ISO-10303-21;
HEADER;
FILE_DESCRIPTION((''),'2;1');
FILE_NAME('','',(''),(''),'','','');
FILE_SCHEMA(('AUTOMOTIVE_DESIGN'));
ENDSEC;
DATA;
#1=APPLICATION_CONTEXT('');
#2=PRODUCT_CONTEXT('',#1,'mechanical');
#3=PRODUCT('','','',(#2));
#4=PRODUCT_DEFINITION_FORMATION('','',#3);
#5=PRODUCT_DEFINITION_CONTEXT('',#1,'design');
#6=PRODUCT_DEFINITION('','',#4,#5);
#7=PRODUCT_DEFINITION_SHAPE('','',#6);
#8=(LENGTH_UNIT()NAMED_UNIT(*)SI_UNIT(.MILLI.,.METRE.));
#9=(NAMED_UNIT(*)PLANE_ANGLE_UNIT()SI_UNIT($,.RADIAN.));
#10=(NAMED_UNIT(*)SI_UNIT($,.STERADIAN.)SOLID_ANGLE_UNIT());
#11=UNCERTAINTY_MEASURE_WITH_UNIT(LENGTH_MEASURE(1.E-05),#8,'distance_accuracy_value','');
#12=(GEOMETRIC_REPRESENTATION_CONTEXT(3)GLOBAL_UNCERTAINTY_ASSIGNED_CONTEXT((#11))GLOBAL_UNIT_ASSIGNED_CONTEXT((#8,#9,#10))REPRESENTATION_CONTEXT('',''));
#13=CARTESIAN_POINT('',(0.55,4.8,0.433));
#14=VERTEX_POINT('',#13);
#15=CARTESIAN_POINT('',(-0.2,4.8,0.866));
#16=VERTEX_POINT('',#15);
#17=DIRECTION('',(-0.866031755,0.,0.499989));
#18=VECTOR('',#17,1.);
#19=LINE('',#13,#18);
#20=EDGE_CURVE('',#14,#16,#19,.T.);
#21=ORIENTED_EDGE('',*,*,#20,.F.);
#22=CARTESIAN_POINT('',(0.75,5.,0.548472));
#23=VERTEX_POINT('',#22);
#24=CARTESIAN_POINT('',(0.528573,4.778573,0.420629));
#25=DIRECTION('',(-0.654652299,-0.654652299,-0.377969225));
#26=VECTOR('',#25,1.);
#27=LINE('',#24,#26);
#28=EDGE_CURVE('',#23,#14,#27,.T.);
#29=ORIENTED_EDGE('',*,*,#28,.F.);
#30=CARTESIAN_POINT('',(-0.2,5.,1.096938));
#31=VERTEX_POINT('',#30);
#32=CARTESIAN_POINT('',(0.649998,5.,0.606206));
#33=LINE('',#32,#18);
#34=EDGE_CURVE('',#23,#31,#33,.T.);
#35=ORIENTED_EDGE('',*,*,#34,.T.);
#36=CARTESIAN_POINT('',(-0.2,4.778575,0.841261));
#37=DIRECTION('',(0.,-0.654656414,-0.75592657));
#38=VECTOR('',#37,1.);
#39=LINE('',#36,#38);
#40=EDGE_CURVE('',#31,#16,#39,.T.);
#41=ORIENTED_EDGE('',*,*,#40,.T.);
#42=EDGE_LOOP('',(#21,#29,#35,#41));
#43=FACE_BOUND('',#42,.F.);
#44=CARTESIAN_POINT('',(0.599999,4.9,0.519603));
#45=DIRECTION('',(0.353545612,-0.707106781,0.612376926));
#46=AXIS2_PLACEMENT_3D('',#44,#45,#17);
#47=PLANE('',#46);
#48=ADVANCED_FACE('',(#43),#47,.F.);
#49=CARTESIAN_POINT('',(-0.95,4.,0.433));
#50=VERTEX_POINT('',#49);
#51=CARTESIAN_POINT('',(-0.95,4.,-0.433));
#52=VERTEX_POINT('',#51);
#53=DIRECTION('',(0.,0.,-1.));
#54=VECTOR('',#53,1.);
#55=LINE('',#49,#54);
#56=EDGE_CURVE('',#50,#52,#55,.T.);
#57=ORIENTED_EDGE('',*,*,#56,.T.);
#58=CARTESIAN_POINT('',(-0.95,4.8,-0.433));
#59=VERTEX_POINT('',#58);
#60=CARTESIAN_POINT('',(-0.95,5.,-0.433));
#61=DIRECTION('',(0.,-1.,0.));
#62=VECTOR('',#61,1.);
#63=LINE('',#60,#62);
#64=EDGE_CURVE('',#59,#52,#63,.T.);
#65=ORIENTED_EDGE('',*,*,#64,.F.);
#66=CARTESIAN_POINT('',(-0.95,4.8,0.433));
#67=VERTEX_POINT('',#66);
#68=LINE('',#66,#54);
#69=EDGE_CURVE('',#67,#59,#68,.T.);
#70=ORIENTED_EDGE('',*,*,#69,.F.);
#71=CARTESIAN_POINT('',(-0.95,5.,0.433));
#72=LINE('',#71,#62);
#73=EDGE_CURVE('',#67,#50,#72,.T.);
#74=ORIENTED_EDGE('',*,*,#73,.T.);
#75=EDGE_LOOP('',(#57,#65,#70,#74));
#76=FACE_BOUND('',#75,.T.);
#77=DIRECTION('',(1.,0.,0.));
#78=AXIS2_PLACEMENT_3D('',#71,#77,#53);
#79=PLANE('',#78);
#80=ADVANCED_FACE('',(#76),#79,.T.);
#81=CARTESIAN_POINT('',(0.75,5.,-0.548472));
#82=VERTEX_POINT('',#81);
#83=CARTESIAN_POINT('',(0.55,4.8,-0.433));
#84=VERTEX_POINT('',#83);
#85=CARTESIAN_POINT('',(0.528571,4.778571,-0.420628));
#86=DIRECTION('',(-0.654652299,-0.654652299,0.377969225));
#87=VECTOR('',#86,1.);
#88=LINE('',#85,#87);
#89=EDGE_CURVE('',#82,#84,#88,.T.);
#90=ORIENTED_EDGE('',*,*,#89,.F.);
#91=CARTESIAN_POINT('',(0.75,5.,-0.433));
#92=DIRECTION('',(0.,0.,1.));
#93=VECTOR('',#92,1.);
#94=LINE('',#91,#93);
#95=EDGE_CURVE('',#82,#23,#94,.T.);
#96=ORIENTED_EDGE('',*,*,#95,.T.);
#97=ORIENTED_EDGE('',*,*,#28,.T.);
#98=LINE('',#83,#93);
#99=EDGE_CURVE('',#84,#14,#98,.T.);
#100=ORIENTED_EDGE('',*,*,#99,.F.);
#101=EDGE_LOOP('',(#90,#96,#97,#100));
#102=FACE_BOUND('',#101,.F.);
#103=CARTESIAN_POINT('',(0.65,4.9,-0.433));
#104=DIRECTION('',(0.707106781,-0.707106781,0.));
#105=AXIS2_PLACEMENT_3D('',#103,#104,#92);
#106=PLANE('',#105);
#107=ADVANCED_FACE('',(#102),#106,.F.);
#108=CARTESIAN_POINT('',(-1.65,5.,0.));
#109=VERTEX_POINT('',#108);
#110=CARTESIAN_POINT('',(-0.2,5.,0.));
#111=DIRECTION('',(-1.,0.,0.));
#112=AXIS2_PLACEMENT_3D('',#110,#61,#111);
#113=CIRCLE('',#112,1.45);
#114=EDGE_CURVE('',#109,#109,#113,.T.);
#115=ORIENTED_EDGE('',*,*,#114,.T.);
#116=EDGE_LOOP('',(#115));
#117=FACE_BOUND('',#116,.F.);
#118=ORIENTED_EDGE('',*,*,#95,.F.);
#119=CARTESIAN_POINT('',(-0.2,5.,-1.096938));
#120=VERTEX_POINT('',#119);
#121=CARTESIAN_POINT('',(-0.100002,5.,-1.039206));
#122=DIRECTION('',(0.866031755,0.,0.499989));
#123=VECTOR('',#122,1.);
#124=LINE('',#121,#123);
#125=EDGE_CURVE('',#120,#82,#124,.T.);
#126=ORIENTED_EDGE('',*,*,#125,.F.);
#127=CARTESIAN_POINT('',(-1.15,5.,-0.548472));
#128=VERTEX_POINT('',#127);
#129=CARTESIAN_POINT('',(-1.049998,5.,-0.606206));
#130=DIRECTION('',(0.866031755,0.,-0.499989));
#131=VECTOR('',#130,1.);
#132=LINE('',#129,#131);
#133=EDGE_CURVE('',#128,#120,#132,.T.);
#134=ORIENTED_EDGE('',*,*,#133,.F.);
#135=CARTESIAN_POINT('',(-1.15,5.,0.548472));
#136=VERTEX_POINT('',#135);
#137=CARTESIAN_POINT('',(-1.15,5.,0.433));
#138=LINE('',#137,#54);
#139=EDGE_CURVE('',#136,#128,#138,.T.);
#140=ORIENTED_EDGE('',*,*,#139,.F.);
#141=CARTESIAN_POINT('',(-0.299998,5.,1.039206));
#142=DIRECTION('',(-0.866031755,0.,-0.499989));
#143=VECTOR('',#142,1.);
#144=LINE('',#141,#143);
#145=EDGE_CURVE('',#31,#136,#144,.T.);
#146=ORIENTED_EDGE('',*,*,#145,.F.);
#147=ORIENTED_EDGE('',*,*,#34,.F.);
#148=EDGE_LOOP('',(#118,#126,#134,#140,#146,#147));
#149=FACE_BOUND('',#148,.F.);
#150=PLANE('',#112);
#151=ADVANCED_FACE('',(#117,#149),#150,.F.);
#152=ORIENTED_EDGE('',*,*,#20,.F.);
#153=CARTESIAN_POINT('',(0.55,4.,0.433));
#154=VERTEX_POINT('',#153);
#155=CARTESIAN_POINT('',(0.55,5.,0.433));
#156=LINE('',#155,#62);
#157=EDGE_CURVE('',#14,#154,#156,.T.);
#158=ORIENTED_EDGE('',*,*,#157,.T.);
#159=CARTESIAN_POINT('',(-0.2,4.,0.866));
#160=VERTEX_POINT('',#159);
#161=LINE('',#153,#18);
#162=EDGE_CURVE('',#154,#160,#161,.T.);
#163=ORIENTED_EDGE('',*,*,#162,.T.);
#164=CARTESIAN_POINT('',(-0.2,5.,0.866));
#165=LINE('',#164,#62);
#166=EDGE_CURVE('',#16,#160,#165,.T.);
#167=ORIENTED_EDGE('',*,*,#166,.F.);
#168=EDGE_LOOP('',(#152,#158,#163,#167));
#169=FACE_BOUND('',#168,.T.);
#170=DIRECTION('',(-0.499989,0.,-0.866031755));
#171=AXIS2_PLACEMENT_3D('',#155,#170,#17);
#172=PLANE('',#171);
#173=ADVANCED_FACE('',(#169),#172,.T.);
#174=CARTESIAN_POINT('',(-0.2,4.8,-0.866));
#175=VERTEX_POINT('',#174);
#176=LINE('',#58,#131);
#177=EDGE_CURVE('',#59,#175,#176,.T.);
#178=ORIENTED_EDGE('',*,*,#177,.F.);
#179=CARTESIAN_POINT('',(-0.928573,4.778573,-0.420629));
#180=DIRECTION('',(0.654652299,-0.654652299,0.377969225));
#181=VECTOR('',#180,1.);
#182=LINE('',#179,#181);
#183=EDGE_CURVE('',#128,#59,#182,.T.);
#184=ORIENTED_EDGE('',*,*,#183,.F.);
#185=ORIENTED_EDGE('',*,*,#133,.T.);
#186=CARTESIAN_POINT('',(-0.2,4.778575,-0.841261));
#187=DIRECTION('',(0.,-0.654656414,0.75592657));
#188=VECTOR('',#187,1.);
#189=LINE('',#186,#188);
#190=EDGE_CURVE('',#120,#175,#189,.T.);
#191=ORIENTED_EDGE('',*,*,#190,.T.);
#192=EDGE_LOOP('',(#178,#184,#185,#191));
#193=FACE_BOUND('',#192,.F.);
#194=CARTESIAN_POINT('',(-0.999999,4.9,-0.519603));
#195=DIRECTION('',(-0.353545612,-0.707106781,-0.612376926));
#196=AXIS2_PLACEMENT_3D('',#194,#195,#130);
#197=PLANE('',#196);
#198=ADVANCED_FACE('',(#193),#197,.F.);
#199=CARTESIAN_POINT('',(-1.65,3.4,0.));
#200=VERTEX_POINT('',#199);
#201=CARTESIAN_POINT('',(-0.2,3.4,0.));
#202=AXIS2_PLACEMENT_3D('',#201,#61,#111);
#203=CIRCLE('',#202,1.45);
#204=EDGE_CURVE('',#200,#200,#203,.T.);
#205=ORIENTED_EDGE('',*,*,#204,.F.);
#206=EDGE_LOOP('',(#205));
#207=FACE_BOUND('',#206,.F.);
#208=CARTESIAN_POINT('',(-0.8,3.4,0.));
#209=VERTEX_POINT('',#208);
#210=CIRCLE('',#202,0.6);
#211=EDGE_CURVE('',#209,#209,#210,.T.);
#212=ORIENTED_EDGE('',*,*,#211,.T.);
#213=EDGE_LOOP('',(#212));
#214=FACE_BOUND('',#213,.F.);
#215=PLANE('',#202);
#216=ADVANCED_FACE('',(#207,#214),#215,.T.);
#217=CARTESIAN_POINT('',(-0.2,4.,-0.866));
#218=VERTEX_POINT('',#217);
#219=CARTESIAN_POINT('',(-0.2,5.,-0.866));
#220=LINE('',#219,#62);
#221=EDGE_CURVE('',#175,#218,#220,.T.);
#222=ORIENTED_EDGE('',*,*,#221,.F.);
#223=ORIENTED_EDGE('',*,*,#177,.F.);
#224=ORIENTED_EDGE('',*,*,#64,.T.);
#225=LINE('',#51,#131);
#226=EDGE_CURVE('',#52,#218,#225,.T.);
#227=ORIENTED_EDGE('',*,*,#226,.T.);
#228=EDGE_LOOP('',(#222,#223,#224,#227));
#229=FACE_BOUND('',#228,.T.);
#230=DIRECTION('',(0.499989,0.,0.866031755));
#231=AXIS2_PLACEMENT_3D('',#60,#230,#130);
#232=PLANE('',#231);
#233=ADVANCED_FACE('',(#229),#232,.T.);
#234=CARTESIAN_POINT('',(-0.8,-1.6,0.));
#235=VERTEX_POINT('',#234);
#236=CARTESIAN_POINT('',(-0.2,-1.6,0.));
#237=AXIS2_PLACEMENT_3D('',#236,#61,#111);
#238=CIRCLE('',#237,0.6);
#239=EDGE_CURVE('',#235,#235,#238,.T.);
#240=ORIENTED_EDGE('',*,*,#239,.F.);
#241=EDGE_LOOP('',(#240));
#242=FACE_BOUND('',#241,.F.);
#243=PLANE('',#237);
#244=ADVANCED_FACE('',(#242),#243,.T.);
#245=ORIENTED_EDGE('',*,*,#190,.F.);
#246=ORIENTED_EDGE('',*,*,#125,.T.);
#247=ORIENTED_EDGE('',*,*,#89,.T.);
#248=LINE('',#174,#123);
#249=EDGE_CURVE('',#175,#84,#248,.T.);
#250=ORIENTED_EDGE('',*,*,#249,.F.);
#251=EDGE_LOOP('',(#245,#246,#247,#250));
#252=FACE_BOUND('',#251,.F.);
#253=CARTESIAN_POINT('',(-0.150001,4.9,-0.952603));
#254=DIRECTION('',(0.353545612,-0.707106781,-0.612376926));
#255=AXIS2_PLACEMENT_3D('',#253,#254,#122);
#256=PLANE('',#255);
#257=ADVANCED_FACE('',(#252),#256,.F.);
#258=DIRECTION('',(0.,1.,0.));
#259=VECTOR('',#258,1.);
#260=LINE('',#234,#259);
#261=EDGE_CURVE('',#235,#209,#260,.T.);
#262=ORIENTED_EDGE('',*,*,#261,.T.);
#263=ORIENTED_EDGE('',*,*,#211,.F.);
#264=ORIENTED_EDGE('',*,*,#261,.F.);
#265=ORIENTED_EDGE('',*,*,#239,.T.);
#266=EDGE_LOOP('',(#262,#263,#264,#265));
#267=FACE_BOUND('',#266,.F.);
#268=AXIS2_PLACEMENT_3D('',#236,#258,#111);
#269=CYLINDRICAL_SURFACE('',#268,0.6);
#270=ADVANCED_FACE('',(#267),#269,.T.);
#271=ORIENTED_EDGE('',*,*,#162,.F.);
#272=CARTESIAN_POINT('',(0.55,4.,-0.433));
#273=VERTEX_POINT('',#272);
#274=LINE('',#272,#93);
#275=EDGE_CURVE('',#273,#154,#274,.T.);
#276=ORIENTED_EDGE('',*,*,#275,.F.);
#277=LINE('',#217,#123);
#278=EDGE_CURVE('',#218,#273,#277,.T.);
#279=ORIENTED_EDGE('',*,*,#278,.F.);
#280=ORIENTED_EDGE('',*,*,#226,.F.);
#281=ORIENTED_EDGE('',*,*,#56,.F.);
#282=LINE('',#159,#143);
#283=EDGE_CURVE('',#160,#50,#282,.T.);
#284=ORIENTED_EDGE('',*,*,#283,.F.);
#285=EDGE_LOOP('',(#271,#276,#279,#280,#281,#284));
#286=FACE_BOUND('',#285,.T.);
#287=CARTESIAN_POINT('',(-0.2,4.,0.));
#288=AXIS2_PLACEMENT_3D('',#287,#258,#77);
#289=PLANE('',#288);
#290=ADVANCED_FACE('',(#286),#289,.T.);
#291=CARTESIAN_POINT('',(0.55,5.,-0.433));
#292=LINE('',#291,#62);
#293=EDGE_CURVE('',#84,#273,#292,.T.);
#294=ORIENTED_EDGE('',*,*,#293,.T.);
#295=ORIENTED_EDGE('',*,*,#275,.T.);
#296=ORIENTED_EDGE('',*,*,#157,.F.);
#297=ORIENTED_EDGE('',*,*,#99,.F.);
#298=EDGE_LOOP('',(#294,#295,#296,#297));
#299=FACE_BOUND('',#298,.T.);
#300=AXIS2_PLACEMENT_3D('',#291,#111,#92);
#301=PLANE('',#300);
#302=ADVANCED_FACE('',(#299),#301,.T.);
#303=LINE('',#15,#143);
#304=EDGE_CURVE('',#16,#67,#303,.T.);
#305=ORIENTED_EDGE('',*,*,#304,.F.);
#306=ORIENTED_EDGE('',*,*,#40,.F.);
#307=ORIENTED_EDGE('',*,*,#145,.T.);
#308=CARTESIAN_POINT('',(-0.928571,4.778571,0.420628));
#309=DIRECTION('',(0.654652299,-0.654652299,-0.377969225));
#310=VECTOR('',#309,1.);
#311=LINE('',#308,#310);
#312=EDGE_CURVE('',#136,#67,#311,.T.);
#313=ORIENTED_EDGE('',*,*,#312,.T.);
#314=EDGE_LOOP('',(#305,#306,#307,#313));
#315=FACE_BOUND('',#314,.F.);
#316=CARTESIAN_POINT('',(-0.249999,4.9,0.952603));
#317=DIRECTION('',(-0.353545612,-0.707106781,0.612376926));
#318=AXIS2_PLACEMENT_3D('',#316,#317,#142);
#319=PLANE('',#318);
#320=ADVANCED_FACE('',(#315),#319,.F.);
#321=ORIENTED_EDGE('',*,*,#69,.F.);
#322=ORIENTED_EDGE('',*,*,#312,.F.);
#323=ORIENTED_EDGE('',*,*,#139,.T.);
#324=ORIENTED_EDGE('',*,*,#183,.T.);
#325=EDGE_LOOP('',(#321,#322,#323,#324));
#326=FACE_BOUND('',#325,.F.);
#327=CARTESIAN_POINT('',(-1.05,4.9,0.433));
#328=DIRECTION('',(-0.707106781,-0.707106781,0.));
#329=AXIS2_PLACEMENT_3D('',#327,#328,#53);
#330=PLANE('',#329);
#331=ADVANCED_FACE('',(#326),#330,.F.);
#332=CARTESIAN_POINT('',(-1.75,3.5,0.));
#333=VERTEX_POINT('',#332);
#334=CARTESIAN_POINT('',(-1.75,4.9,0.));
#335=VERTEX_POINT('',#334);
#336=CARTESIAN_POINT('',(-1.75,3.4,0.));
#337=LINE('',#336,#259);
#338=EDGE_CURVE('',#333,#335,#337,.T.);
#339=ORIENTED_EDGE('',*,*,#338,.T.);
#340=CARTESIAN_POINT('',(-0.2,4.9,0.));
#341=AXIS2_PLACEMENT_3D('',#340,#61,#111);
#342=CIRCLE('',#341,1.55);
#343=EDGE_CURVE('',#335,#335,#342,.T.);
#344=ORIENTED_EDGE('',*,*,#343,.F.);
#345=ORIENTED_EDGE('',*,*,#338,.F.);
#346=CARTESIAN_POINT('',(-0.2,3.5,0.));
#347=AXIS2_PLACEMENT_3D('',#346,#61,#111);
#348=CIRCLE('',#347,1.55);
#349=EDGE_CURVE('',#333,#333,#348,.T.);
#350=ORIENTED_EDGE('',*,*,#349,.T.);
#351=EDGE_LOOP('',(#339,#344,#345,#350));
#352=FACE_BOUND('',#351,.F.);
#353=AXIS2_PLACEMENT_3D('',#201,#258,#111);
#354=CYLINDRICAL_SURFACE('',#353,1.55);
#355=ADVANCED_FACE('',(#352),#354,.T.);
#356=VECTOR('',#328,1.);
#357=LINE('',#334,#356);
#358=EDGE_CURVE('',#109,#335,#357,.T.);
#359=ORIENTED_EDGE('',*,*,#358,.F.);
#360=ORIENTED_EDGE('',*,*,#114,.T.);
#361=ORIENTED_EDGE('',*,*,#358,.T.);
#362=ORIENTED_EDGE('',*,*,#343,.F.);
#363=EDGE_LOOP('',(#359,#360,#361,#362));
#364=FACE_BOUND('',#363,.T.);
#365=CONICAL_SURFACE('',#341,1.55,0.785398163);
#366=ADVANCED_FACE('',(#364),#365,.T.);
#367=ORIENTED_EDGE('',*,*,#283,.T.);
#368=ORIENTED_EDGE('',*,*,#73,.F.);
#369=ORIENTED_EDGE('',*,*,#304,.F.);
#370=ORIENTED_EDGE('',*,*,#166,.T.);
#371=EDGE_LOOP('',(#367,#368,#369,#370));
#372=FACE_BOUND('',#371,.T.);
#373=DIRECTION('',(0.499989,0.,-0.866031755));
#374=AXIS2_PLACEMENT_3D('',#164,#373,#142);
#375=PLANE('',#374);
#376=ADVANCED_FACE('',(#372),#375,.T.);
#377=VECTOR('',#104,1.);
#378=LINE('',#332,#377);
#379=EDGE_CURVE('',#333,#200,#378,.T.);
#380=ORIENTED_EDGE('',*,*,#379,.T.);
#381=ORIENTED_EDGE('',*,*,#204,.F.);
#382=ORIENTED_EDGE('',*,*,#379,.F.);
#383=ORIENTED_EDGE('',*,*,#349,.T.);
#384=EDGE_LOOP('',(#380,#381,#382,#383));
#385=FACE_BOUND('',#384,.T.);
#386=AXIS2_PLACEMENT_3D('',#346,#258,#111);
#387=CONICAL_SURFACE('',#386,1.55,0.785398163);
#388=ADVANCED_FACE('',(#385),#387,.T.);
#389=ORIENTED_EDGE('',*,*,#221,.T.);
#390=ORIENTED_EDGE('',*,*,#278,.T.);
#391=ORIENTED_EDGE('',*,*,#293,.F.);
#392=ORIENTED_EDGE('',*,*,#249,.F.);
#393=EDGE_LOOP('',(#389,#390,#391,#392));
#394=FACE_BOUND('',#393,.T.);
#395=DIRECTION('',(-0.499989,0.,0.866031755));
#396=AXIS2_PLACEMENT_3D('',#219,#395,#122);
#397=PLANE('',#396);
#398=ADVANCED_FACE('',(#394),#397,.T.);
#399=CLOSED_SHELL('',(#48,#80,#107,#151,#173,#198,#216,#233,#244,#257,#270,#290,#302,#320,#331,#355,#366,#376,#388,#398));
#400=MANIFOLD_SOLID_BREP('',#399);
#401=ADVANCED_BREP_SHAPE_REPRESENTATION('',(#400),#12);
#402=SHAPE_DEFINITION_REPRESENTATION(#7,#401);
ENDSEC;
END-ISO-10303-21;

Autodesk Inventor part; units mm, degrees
ref_plane "YZ Plane" through (0, 0, 0) normal (1, 0, 0) x (0, 1, 0)
ref_plane "XZ Plane" through (0, 0, 0) normal (0, 1, 0) x (-1, 0, 0)
ref_plane "XY Plane" through (0, 0, 0) normal (0, 0, 1) x (1, 0, 0)
sketch "スケッチ1" plane through (0, 0, 0) normal (0, 0, 1) x (1, 0, 0)
  line L0 (-1.75, 5) -> (-0.2, 5)
  line L1 (1.75, 5) -> (1.75, 3.4)
  line L2 (1.75, 3.4) -> (-1.75, 3.4)
  line L3 (-1.75, 3.4) -> (-1.75, 5)
  line L4 (-0.8, 3.4) -> (-0.2, 3.4)
  line L5 (0.8, 3.4) -> (0.8, -1.6)
  line L6 (0.8, -1.6) -> (-0.2, -1.6)
  line L7 (-0.8, -1.6) -> (-0.8, 3.4)
  line L8 (-0.2, 5) -> (-0.2, -1.6)
  line L9 (-0.2, 5) -> (1.75, 5)
  line L10 (-0.2, 3.4) -> (0.8, 3.4)
  line L11 (-0.2, -1.6) -> (-0.8, -1.6)
  point P0 (0, 0)
  dimension "d0" = 1.6
  dimension "d1" = 0.8
  dimension "d2" = 5
  dimension "d3" = 3.5
  dimension "d4" = 1.75
  dimension "d5" = 1.6
revolve "回転1" add sketch "スケッチ1" angle 360 about axis through (-0.2, 5, 0) along (0, -1, 0) contours L0 L8 L2 L3 | L8 L11 L7 L2
sketch "スケッチ2" plane through (-0.2, 5, 0) normal (0, 1, 0) x (1, 0, 0)
  line L0 (0, 0.866) -> (0.75, 0.433)
  line L1 (0.75, 0.433) -> (0.75, -0.433)
  line L2 (0.75, -0.433) -> (0, -0.866)
  line L3 (0, -0.866) -> (-0.75, -0.433)
  line L4 (-0.75, -0.433) -> (-0.75, 0.433)
  line L5 (-0.75, 0.433) -> (0, 0.866)
  point P0 (0, 0)
  dimension "d9" = 1.5
extrude "押し出し1" cut sketch "スケッチ2" against normal blind 1
chamfer "面取り1" distance 0.1 angle 45 2 edges at (1.35, 5, 0) (1.35, 3.4, 0)
chamfer "面取り2" distance 0.2 angle 45 6 edges at (0.175, 5, 0.6495) (-0.575, 5, 0.6495) (-0.95, 5, 0) (-0.575, 5, -0.6495) (0.175, 5, -0.6495) (0.55, 5, 0)
thread "ねじ2" size "M1.2x0.25" class "6g" standard "ANSI Metric M Profile" full length
equation "\"d1\" = 0.5 * d0"
equation "\"d4\" = 0.5 * d3"
properties part number "M1.6_5mm"
